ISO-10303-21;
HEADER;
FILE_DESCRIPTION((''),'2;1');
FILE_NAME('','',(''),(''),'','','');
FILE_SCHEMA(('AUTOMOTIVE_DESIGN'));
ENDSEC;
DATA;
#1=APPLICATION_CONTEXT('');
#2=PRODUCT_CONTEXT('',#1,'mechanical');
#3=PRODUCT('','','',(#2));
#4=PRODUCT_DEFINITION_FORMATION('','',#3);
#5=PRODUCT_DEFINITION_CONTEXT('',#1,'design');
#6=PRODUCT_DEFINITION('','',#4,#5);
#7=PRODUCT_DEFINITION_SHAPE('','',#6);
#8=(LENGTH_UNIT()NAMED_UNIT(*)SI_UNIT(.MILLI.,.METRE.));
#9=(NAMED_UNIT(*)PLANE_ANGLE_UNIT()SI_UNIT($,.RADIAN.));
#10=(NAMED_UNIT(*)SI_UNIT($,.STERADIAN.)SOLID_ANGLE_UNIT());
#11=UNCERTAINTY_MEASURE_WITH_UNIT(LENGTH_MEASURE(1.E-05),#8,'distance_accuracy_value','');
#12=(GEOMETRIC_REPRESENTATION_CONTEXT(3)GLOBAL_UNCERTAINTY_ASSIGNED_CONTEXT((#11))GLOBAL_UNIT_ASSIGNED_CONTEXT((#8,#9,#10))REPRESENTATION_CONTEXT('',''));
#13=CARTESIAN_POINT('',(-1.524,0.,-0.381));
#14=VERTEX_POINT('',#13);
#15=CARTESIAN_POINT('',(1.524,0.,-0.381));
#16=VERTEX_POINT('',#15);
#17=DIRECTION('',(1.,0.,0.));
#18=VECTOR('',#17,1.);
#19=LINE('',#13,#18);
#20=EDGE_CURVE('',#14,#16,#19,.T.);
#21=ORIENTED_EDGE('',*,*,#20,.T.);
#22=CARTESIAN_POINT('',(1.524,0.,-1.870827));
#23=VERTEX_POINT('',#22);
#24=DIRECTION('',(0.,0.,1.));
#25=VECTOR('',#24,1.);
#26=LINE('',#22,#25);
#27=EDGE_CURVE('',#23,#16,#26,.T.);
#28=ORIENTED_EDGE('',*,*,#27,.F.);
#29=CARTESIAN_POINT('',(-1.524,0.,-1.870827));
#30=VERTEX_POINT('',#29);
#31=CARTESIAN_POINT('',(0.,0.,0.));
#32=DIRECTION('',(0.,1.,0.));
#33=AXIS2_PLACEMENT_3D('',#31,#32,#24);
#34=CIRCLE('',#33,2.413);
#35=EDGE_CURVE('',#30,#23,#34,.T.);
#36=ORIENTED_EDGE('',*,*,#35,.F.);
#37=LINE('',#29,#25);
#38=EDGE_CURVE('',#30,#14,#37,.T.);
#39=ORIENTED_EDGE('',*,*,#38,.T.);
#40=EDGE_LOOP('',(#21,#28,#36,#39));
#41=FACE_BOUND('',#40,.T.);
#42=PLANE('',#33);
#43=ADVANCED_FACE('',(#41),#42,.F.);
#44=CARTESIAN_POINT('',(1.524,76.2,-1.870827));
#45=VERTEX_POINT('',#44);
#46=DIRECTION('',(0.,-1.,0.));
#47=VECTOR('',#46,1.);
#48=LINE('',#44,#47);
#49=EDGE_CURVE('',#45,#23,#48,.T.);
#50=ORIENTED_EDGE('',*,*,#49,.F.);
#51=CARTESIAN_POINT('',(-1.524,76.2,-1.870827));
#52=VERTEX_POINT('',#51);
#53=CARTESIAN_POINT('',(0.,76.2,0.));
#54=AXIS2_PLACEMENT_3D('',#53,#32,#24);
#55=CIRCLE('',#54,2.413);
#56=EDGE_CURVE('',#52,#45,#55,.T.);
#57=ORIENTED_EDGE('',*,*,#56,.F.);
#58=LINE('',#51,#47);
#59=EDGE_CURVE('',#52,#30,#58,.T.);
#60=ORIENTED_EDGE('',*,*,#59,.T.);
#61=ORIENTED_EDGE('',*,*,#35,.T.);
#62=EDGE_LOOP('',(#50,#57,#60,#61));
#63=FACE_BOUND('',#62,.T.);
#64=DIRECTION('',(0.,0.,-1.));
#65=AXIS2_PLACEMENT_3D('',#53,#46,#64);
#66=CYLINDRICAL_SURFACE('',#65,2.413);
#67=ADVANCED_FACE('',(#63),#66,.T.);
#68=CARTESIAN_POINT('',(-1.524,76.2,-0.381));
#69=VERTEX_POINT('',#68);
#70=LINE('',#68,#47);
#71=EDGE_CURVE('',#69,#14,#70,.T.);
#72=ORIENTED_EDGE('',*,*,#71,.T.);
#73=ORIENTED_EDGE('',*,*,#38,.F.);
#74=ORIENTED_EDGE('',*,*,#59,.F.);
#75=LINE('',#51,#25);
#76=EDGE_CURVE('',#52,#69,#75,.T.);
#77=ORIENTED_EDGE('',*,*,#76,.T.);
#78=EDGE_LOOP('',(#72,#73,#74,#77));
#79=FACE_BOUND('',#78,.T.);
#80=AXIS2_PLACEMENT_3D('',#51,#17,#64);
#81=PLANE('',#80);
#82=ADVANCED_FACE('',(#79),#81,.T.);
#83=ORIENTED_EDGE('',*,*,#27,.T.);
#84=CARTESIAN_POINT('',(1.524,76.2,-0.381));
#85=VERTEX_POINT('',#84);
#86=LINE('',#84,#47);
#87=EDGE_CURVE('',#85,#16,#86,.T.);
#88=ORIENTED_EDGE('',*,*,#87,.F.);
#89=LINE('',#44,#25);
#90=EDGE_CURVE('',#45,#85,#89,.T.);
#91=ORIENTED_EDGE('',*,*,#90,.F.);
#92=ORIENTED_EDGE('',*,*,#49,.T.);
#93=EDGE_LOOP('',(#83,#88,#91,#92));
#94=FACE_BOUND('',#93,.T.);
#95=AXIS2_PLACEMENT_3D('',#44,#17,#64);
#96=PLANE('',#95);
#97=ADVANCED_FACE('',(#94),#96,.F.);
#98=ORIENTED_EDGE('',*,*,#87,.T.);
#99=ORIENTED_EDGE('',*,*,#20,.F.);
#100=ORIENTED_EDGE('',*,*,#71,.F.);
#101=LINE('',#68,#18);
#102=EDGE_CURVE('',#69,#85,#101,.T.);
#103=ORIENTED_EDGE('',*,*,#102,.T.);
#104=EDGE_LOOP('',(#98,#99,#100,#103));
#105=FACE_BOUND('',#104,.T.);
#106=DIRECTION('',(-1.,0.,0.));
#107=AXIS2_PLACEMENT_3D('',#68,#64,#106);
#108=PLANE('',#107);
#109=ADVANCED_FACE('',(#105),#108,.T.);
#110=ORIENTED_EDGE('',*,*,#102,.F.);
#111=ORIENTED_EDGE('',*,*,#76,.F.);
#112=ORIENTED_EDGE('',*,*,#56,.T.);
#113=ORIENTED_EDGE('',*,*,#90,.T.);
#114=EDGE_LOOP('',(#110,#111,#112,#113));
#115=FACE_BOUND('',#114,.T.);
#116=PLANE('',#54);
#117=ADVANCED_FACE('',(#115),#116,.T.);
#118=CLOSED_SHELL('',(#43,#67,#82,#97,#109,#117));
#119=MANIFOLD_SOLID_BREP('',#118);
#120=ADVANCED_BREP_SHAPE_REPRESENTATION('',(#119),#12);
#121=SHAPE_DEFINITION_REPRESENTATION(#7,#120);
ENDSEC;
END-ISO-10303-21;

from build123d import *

# Parameters (mm, degrees)
BOSS_EXTRUDE2_DEPTH = 76.2


with BuildPart() as part:
    # Sketch1 → Boss-Extrude2 (new body)
    with BuildSketch(Plane(origin=(0, 0, 0), x_dir=(1, 0, 0), z_dir=(0, 1, 0))):
        with BuildLine():
            Line((-1.524, 1.870826823), (-1.524, 0.381))
            Line((-1.524, 0.381), (1.524, 0.381))
            Line((1.524, 0.381), (1.524, 1.870826823))
            ThreePointArc((1.524, 1.870826823), (0, -2.413), (-1.524, 1.870826823))
        make_face()
    extrude(amount=BOSS_EXTRUDE2_DEPTH)


solid = part.part
